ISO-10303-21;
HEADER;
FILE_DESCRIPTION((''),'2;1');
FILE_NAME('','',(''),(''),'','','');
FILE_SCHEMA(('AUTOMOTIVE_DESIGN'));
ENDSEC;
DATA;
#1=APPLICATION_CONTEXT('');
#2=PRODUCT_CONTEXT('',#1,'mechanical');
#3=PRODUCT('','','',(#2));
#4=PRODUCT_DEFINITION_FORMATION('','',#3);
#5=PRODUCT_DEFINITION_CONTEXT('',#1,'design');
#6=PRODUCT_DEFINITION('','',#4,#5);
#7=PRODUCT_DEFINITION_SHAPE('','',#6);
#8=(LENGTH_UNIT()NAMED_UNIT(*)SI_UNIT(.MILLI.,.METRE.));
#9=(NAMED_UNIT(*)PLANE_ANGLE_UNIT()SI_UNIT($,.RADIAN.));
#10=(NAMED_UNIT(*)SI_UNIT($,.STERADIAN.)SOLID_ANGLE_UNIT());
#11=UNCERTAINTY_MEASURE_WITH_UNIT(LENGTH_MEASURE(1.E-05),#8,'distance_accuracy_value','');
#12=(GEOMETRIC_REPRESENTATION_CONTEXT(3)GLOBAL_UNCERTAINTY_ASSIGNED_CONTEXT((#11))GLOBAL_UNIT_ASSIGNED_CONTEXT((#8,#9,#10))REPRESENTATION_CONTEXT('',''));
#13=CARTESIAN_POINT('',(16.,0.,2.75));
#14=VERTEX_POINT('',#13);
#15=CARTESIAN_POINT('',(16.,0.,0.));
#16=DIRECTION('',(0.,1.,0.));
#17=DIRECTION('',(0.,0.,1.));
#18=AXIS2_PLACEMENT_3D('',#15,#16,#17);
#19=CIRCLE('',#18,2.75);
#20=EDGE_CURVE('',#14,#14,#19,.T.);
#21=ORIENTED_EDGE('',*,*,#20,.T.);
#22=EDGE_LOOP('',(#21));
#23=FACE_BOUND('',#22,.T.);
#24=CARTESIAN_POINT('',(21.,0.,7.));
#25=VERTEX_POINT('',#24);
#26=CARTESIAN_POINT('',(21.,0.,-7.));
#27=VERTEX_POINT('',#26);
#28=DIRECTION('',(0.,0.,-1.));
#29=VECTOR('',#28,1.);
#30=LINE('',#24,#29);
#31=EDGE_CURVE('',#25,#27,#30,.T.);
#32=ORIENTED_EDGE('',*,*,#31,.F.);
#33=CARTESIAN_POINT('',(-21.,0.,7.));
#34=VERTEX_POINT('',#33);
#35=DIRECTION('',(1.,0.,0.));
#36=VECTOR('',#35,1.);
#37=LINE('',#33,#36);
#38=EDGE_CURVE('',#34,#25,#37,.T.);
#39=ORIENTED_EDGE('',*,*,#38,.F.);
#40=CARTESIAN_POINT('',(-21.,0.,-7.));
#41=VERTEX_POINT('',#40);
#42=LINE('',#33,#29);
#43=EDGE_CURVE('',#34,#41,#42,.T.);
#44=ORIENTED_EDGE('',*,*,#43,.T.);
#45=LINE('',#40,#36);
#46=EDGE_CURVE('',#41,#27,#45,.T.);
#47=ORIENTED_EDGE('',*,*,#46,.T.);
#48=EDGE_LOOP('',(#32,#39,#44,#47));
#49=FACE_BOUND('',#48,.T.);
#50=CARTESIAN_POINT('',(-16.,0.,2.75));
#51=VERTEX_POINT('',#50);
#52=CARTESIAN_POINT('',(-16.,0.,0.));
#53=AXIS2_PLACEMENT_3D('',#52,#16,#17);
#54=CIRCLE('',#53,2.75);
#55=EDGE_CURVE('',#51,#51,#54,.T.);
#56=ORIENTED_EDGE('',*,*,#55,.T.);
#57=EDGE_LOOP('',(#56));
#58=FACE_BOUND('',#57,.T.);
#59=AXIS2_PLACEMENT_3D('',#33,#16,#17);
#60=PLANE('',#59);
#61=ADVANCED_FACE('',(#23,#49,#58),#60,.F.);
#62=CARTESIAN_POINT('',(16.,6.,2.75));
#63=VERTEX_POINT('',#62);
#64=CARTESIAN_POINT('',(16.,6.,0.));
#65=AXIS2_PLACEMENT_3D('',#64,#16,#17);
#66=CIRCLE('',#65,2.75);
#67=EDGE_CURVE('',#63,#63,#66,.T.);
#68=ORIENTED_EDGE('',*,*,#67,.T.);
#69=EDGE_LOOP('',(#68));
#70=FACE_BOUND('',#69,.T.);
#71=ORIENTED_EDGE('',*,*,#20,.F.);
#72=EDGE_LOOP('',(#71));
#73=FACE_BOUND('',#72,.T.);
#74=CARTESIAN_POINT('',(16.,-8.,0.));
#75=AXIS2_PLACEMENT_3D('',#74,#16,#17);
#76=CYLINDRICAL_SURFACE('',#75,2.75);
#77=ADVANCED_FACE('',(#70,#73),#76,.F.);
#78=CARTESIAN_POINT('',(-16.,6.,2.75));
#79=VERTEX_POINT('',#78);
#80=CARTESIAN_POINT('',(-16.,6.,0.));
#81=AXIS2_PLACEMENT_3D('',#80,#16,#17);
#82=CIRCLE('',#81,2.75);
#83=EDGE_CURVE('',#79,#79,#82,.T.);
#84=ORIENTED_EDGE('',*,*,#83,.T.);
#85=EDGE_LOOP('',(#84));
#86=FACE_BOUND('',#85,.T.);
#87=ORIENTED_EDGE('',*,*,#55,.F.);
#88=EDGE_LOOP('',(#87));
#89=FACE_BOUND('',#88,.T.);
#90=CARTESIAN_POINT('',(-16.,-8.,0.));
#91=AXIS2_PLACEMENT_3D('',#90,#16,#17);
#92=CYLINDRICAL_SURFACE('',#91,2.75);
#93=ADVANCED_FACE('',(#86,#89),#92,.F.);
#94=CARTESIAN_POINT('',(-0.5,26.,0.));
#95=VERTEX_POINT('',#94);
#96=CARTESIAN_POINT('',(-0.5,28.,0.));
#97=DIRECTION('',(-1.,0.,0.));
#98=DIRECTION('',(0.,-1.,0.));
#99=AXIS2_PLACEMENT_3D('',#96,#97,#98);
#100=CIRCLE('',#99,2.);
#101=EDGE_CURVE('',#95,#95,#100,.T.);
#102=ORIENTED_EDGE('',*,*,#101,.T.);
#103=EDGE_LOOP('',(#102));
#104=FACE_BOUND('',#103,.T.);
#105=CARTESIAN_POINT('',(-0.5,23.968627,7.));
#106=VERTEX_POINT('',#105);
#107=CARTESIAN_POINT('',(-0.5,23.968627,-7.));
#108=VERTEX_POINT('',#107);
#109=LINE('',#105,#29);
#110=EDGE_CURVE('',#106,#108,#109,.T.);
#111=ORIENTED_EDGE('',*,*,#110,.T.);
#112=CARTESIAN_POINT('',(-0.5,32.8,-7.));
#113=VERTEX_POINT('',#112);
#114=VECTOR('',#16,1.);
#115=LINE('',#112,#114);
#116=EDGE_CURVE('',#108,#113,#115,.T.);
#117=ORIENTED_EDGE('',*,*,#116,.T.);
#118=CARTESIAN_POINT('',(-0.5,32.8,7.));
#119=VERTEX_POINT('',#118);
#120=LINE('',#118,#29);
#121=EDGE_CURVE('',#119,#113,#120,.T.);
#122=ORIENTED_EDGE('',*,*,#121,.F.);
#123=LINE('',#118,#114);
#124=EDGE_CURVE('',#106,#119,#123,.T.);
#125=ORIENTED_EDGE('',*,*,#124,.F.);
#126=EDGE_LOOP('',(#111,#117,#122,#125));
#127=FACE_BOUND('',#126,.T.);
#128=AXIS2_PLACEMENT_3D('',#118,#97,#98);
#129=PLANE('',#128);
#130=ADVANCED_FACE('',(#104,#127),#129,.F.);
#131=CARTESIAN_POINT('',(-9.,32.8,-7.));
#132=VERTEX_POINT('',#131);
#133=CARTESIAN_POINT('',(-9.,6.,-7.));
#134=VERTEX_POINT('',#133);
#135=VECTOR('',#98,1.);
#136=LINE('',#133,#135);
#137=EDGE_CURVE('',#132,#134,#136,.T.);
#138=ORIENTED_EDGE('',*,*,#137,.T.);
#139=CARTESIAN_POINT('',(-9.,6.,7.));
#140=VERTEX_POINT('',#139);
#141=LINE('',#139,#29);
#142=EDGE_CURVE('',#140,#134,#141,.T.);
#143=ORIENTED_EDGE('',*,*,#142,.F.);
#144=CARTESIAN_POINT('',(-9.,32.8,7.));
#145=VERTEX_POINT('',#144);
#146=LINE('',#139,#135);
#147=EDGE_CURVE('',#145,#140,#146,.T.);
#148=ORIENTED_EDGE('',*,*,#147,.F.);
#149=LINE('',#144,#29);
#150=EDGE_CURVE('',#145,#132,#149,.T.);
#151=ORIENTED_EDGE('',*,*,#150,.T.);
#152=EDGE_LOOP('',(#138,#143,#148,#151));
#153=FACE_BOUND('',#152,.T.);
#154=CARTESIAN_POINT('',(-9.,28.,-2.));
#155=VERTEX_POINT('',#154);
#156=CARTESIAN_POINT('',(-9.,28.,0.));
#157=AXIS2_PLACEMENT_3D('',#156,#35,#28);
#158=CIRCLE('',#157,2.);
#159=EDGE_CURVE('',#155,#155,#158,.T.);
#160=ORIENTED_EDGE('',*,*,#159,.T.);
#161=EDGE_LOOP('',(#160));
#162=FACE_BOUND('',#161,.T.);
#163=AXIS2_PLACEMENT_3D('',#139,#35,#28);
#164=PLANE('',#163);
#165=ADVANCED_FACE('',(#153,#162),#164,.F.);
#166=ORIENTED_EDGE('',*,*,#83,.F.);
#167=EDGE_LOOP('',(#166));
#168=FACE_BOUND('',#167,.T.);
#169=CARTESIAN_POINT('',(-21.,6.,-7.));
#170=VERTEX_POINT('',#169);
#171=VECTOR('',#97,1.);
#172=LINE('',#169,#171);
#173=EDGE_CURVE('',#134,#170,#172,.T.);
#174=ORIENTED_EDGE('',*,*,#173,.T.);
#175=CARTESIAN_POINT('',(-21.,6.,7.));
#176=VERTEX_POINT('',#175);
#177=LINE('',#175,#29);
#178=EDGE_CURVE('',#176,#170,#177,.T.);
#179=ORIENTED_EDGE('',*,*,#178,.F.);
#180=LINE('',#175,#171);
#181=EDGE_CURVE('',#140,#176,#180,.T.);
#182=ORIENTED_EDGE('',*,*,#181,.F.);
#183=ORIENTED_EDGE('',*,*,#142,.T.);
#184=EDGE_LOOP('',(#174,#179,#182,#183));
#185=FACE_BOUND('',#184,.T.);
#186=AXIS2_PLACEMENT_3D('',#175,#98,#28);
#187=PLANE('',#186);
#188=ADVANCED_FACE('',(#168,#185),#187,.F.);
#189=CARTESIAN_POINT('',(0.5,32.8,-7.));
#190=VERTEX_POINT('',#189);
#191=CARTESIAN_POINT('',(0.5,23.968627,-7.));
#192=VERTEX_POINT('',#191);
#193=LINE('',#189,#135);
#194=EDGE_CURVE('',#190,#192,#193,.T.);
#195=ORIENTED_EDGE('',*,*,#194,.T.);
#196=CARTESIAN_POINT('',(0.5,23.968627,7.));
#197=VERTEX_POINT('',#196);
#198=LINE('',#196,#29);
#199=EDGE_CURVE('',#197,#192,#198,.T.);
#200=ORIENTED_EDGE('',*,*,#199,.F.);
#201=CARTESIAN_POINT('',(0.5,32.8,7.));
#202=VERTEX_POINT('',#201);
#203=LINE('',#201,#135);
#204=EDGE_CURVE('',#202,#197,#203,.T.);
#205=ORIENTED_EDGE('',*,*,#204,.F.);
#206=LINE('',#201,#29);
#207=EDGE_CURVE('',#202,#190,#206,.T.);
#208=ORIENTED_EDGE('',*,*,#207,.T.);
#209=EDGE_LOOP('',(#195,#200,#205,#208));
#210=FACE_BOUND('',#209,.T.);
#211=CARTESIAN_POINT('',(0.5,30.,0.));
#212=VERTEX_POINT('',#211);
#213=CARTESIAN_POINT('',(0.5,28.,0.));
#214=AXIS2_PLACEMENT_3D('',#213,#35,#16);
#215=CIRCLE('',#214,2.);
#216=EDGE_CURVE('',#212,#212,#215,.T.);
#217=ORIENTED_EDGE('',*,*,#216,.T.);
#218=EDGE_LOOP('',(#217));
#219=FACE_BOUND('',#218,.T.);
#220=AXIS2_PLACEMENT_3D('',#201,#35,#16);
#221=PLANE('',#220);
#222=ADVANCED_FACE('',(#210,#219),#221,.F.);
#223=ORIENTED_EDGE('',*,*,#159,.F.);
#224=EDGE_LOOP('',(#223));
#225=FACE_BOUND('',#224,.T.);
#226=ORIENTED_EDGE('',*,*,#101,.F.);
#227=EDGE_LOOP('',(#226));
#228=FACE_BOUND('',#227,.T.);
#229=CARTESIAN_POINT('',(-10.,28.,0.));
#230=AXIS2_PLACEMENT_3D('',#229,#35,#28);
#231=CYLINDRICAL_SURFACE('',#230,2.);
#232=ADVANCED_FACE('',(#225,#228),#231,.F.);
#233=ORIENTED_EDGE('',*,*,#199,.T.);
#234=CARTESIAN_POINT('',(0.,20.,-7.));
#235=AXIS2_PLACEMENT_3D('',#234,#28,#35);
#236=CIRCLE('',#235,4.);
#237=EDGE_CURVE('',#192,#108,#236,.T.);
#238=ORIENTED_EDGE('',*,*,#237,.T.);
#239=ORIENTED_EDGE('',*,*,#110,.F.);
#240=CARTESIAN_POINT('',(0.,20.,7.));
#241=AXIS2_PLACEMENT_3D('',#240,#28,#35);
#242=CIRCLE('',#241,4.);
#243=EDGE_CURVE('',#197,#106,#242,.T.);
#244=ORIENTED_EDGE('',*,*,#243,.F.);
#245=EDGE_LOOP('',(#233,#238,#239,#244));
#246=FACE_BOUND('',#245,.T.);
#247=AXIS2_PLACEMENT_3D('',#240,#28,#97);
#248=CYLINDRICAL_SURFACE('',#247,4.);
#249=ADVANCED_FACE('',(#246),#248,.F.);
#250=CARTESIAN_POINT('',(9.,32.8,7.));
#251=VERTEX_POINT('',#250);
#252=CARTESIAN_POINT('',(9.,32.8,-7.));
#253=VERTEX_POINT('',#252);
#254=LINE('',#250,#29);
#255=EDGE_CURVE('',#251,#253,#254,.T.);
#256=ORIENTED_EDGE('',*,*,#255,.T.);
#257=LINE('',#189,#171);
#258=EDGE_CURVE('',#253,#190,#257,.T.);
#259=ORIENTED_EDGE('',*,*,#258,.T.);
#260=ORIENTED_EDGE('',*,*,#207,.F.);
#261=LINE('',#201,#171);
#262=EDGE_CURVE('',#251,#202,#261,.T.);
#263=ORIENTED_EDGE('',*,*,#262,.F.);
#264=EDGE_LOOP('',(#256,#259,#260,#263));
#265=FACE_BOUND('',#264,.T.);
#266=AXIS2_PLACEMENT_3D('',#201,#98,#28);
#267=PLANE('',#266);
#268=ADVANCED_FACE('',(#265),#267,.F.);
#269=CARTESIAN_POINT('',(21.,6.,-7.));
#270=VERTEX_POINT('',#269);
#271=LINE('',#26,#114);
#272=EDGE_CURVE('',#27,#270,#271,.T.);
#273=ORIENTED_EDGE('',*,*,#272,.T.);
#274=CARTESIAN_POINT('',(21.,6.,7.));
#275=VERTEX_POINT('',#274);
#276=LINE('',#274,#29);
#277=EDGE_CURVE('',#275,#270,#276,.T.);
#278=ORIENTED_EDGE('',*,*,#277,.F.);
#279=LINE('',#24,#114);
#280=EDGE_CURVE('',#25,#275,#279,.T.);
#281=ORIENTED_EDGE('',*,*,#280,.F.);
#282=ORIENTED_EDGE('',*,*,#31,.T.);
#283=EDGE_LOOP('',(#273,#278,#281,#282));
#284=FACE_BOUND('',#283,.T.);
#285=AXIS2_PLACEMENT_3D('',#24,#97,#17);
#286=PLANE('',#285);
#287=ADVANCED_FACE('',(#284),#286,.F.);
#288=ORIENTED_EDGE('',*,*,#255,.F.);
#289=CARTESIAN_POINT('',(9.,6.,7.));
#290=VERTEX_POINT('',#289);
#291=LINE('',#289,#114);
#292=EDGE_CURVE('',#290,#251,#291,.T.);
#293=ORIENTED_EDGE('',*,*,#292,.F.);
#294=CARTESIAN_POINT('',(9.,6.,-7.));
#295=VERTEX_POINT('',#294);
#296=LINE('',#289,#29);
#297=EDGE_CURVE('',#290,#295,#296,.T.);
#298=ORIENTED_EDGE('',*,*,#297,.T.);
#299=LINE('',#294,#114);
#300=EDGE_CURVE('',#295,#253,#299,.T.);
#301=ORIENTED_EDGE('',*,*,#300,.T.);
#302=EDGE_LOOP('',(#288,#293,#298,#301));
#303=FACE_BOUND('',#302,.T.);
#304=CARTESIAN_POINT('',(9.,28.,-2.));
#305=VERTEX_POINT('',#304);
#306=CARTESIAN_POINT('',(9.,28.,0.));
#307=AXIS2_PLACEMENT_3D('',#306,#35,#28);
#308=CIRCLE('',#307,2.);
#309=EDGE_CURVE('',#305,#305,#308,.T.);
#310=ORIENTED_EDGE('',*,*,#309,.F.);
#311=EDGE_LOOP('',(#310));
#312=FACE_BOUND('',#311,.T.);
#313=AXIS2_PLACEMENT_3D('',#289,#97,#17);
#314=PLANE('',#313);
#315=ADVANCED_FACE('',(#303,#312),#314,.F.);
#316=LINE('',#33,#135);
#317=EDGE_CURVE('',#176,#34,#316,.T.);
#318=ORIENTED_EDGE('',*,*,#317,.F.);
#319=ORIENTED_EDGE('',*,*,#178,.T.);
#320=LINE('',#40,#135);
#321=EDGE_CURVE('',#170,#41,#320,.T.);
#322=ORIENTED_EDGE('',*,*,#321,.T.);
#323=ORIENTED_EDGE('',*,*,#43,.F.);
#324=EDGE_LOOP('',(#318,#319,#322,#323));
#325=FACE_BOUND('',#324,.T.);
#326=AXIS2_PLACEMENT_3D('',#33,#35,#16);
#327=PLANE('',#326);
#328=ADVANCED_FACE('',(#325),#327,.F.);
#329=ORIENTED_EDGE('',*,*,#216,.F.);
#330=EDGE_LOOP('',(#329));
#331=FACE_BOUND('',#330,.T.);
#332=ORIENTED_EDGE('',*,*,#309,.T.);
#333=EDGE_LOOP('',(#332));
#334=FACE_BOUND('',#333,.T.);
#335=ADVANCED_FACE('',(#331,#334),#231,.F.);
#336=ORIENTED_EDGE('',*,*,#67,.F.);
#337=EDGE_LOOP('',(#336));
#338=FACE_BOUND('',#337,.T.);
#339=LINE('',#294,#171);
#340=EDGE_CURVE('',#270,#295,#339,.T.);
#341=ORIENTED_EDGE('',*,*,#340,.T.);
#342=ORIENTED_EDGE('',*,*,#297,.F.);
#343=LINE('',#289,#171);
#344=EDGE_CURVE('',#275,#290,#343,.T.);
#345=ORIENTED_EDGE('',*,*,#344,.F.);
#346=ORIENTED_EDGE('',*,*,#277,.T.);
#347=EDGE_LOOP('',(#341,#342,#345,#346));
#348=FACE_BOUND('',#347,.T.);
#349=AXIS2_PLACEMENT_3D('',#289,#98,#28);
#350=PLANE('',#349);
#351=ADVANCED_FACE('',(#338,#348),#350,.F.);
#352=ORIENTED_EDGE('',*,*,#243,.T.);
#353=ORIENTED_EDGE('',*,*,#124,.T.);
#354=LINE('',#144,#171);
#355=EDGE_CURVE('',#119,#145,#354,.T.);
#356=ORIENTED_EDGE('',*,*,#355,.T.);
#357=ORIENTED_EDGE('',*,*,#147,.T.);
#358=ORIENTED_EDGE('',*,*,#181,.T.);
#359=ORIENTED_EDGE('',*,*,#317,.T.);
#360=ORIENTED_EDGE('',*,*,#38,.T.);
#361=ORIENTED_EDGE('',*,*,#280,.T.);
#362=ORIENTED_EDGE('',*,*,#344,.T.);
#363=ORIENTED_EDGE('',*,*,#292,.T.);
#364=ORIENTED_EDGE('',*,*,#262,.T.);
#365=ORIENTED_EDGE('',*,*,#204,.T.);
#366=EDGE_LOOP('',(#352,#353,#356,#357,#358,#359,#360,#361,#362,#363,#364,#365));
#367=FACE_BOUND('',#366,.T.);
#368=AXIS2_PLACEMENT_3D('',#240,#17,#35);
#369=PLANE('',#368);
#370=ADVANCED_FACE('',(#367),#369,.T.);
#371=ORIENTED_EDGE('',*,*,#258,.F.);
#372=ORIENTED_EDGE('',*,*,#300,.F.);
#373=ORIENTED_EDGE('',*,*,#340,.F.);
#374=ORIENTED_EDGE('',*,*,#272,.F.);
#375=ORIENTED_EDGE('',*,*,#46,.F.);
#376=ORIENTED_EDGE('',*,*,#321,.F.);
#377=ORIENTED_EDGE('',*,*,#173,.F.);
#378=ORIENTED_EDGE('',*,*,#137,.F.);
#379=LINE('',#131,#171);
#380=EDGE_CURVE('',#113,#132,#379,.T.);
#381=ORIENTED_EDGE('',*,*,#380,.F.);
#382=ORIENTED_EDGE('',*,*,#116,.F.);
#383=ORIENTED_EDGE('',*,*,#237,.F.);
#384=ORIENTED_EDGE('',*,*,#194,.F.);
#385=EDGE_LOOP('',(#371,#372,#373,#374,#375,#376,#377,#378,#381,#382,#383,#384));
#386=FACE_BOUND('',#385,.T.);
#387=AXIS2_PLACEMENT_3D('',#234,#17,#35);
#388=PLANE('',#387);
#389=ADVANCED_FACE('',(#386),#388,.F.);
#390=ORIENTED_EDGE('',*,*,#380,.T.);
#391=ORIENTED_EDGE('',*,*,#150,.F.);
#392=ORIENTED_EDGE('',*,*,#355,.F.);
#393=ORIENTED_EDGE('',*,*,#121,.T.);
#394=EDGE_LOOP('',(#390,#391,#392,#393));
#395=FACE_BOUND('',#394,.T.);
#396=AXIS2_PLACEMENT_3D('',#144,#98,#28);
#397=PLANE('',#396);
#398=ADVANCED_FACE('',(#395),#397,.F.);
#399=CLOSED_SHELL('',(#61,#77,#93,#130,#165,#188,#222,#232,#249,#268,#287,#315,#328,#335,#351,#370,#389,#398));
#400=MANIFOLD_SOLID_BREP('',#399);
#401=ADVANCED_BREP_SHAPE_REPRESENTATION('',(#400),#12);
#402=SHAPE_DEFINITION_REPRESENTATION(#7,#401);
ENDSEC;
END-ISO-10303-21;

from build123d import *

# Parameters (mm, degrees)
BOSS_EXTRUDE1_DEPTH = 7
SKETCH2_R           = 2.75
CUT_EXTRUDE1_DEPTH  = 14
SKETCH3_R           = 2
CUT_EXTRUDE2_DEPTH  = 19


with BuildPart() as part:
    # Sketch1 → Boss-Extrude1 (new, symmetric)
    with BuildSketch(Plane.XY):
        with BuildLine():
            Line((0.5, 32.8), (9, 32.8))
            Line((9, 32.8), (9, 6))
            Line((9, 6), (21, 6))
            Line((21, 6), (21, 0))
            Line((21, 0), (-21, 0))
            Line((-21, 0), (-21, 6))
            Line((-21, 6), (-9, 6))
            Line((-9, 6), (-9, 32.8))
            Line((-9, 32.8), (-0.5, 32.8))
            Line((-0.5, 32.8), (-0.5, 23.968626967))
            ThreePointArc((-0.5, 23.968626967), (0, 16), (0.5, 23.968626967))
            Line((0.5, 23.968626967), (0.5, 32.8))
        make_face()
    extrude(amount=BOSS_EXTRUDE1_DEPTH, both=True)

    # Sketch2 → Cut-Extrude1 (cut)
    with BuildSketch(Plane(origin=(0, 6, 0), x_dir=(1, 0, 0), z_dir=(0, 1, 0))):
        with Locations(Location((-16, 0, 0), (0, 0, 270))):
            Circle(SKETCH2_R)
        with Locations(Location((16, 0, 0), (0, 0, 270))):
            Circle(SKETCH2_R)
    extrude(amount=-CUT_EXTRUDE1_DEPTH, mode=Mode.SUBTRACT)

    # Sketch3 → Cut-Extrude2 (cut)
    with BuildSketch(Plane(origin=(9, 0, 0), x_dir=(0, 0, -1), z_dir=(1, 0, 0))):
        with Locations((0, 28)):
            Circle(SKETCH3_R)
    extrude(amount=-CUT_EXTRUDE2_DEPTH, mode=Mode.SUBTRACT)


solid = part.part
